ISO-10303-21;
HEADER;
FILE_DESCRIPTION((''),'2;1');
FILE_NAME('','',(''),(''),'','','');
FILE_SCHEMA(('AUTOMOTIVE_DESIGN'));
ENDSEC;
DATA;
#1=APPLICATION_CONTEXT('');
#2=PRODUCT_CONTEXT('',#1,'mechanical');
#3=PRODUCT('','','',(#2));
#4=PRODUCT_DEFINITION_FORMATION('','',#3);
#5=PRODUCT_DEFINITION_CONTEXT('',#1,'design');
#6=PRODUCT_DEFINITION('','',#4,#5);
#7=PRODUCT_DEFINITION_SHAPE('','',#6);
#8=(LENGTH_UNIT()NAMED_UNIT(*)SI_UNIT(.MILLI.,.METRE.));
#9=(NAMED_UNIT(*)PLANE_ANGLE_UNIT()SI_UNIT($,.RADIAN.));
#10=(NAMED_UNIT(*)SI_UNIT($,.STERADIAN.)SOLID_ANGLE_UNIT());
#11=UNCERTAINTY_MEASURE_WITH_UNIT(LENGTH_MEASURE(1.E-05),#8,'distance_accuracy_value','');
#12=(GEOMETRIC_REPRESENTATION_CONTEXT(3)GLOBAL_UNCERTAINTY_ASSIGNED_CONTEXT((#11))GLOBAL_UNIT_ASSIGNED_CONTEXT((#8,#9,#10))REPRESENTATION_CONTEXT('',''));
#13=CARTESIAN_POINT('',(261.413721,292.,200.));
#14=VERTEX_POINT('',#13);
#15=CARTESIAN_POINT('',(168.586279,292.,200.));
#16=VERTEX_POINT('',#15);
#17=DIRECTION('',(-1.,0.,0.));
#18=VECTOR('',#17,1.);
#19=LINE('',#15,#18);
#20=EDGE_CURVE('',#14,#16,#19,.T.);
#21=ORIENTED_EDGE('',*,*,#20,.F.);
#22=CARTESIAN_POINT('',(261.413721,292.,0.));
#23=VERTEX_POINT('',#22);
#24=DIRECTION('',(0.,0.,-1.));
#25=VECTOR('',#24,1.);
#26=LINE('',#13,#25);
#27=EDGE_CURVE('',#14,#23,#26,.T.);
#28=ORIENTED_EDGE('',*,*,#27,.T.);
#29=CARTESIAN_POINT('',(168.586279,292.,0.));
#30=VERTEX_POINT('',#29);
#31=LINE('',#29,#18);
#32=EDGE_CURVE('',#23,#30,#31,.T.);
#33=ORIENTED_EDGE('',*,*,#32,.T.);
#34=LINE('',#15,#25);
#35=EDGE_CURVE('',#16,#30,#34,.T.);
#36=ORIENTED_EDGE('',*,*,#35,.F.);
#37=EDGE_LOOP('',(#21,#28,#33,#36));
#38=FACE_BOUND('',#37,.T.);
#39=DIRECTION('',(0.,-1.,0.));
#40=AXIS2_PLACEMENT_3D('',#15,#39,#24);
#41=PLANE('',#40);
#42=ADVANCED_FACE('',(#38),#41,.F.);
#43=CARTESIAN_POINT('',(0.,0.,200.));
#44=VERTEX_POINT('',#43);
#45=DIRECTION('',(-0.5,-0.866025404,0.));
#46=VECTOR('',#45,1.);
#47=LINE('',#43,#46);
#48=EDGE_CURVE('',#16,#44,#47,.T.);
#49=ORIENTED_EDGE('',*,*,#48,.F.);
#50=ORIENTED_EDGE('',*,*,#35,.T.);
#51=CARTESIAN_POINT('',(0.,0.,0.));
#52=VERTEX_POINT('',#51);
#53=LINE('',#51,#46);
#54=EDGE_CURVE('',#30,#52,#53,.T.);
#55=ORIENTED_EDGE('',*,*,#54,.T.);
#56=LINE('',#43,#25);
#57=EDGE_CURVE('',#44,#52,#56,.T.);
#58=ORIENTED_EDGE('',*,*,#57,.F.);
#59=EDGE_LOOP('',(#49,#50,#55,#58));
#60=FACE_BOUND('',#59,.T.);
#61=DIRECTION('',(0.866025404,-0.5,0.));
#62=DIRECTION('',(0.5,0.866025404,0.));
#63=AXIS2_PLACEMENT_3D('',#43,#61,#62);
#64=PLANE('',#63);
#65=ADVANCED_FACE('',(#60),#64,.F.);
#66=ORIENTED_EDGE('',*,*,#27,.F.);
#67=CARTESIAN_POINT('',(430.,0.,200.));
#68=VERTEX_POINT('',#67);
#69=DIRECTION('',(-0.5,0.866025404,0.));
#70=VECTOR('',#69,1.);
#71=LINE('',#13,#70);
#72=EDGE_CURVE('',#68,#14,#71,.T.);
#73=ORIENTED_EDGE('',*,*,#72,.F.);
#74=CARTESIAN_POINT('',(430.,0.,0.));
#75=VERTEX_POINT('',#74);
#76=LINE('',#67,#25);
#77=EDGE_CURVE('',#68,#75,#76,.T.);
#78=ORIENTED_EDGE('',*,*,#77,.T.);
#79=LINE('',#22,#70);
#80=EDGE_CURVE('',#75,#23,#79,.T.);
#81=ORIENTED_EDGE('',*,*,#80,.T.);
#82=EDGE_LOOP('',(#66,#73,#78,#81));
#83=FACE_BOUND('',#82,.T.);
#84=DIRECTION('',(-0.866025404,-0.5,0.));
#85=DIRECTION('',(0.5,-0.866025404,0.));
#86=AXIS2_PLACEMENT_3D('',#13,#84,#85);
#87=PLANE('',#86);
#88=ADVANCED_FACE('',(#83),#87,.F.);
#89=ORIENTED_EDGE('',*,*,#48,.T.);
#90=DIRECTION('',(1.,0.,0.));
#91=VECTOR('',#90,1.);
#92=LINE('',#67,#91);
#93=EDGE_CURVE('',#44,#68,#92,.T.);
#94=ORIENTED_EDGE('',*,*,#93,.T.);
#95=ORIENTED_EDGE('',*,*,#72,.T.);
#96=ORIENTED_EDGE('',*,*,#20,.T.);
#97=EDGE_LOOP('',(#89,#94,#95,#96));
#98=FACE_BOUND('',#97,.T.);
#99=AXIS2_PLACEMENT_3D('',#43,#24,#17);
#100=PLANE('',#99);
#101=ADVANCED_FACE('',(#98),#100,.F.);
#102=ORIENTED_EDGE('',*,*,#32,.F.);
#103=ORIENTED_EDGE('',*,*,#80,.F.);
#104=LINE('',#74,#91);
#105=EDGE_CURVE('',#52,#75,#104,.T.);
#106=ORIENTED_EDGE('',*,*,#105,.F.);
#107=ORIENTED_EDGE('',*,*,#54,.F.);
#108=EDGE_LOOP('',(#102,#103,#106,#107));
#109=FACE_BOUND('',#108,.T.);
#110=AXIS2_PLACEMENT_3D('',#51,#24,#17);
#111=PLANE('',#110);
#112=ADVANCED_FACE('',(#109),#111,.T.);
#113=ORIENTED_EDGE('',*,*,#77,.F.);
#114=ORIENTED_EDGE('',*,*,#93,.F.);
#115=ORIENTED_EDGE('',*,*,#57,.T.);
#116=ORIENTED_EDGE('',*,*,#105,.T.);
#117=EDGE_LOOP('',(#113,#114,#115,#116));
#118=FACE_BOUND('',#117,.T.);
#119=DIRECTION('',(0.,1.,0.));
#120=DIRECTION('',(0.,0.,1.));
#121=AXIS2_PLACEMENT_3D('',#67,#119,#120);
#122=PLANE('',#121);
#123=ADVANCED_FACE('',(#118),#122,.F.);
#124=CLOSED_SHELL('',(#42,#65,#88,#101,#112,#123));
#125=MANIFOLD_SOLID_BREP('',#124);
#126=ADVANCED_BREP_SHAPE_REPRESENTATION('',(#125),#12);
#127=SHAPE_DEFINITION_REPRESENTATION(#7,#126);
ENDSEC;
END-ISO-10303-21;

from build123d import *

# Parameters (mm, degrees)
EXTRUDE_1_DEPTH = 200


with BuildPart() as part:
    # 草图1 → 凸台-拉伸1 (new body)
    with BuildSketch(Plane.XY):
        Polygon((0, 0), (168.586278603, 292), (261.413721397, 292), (430, 0), align=None)
    extrude(amount=EXTRUDE_1_DEPTH)


solid = part.part
